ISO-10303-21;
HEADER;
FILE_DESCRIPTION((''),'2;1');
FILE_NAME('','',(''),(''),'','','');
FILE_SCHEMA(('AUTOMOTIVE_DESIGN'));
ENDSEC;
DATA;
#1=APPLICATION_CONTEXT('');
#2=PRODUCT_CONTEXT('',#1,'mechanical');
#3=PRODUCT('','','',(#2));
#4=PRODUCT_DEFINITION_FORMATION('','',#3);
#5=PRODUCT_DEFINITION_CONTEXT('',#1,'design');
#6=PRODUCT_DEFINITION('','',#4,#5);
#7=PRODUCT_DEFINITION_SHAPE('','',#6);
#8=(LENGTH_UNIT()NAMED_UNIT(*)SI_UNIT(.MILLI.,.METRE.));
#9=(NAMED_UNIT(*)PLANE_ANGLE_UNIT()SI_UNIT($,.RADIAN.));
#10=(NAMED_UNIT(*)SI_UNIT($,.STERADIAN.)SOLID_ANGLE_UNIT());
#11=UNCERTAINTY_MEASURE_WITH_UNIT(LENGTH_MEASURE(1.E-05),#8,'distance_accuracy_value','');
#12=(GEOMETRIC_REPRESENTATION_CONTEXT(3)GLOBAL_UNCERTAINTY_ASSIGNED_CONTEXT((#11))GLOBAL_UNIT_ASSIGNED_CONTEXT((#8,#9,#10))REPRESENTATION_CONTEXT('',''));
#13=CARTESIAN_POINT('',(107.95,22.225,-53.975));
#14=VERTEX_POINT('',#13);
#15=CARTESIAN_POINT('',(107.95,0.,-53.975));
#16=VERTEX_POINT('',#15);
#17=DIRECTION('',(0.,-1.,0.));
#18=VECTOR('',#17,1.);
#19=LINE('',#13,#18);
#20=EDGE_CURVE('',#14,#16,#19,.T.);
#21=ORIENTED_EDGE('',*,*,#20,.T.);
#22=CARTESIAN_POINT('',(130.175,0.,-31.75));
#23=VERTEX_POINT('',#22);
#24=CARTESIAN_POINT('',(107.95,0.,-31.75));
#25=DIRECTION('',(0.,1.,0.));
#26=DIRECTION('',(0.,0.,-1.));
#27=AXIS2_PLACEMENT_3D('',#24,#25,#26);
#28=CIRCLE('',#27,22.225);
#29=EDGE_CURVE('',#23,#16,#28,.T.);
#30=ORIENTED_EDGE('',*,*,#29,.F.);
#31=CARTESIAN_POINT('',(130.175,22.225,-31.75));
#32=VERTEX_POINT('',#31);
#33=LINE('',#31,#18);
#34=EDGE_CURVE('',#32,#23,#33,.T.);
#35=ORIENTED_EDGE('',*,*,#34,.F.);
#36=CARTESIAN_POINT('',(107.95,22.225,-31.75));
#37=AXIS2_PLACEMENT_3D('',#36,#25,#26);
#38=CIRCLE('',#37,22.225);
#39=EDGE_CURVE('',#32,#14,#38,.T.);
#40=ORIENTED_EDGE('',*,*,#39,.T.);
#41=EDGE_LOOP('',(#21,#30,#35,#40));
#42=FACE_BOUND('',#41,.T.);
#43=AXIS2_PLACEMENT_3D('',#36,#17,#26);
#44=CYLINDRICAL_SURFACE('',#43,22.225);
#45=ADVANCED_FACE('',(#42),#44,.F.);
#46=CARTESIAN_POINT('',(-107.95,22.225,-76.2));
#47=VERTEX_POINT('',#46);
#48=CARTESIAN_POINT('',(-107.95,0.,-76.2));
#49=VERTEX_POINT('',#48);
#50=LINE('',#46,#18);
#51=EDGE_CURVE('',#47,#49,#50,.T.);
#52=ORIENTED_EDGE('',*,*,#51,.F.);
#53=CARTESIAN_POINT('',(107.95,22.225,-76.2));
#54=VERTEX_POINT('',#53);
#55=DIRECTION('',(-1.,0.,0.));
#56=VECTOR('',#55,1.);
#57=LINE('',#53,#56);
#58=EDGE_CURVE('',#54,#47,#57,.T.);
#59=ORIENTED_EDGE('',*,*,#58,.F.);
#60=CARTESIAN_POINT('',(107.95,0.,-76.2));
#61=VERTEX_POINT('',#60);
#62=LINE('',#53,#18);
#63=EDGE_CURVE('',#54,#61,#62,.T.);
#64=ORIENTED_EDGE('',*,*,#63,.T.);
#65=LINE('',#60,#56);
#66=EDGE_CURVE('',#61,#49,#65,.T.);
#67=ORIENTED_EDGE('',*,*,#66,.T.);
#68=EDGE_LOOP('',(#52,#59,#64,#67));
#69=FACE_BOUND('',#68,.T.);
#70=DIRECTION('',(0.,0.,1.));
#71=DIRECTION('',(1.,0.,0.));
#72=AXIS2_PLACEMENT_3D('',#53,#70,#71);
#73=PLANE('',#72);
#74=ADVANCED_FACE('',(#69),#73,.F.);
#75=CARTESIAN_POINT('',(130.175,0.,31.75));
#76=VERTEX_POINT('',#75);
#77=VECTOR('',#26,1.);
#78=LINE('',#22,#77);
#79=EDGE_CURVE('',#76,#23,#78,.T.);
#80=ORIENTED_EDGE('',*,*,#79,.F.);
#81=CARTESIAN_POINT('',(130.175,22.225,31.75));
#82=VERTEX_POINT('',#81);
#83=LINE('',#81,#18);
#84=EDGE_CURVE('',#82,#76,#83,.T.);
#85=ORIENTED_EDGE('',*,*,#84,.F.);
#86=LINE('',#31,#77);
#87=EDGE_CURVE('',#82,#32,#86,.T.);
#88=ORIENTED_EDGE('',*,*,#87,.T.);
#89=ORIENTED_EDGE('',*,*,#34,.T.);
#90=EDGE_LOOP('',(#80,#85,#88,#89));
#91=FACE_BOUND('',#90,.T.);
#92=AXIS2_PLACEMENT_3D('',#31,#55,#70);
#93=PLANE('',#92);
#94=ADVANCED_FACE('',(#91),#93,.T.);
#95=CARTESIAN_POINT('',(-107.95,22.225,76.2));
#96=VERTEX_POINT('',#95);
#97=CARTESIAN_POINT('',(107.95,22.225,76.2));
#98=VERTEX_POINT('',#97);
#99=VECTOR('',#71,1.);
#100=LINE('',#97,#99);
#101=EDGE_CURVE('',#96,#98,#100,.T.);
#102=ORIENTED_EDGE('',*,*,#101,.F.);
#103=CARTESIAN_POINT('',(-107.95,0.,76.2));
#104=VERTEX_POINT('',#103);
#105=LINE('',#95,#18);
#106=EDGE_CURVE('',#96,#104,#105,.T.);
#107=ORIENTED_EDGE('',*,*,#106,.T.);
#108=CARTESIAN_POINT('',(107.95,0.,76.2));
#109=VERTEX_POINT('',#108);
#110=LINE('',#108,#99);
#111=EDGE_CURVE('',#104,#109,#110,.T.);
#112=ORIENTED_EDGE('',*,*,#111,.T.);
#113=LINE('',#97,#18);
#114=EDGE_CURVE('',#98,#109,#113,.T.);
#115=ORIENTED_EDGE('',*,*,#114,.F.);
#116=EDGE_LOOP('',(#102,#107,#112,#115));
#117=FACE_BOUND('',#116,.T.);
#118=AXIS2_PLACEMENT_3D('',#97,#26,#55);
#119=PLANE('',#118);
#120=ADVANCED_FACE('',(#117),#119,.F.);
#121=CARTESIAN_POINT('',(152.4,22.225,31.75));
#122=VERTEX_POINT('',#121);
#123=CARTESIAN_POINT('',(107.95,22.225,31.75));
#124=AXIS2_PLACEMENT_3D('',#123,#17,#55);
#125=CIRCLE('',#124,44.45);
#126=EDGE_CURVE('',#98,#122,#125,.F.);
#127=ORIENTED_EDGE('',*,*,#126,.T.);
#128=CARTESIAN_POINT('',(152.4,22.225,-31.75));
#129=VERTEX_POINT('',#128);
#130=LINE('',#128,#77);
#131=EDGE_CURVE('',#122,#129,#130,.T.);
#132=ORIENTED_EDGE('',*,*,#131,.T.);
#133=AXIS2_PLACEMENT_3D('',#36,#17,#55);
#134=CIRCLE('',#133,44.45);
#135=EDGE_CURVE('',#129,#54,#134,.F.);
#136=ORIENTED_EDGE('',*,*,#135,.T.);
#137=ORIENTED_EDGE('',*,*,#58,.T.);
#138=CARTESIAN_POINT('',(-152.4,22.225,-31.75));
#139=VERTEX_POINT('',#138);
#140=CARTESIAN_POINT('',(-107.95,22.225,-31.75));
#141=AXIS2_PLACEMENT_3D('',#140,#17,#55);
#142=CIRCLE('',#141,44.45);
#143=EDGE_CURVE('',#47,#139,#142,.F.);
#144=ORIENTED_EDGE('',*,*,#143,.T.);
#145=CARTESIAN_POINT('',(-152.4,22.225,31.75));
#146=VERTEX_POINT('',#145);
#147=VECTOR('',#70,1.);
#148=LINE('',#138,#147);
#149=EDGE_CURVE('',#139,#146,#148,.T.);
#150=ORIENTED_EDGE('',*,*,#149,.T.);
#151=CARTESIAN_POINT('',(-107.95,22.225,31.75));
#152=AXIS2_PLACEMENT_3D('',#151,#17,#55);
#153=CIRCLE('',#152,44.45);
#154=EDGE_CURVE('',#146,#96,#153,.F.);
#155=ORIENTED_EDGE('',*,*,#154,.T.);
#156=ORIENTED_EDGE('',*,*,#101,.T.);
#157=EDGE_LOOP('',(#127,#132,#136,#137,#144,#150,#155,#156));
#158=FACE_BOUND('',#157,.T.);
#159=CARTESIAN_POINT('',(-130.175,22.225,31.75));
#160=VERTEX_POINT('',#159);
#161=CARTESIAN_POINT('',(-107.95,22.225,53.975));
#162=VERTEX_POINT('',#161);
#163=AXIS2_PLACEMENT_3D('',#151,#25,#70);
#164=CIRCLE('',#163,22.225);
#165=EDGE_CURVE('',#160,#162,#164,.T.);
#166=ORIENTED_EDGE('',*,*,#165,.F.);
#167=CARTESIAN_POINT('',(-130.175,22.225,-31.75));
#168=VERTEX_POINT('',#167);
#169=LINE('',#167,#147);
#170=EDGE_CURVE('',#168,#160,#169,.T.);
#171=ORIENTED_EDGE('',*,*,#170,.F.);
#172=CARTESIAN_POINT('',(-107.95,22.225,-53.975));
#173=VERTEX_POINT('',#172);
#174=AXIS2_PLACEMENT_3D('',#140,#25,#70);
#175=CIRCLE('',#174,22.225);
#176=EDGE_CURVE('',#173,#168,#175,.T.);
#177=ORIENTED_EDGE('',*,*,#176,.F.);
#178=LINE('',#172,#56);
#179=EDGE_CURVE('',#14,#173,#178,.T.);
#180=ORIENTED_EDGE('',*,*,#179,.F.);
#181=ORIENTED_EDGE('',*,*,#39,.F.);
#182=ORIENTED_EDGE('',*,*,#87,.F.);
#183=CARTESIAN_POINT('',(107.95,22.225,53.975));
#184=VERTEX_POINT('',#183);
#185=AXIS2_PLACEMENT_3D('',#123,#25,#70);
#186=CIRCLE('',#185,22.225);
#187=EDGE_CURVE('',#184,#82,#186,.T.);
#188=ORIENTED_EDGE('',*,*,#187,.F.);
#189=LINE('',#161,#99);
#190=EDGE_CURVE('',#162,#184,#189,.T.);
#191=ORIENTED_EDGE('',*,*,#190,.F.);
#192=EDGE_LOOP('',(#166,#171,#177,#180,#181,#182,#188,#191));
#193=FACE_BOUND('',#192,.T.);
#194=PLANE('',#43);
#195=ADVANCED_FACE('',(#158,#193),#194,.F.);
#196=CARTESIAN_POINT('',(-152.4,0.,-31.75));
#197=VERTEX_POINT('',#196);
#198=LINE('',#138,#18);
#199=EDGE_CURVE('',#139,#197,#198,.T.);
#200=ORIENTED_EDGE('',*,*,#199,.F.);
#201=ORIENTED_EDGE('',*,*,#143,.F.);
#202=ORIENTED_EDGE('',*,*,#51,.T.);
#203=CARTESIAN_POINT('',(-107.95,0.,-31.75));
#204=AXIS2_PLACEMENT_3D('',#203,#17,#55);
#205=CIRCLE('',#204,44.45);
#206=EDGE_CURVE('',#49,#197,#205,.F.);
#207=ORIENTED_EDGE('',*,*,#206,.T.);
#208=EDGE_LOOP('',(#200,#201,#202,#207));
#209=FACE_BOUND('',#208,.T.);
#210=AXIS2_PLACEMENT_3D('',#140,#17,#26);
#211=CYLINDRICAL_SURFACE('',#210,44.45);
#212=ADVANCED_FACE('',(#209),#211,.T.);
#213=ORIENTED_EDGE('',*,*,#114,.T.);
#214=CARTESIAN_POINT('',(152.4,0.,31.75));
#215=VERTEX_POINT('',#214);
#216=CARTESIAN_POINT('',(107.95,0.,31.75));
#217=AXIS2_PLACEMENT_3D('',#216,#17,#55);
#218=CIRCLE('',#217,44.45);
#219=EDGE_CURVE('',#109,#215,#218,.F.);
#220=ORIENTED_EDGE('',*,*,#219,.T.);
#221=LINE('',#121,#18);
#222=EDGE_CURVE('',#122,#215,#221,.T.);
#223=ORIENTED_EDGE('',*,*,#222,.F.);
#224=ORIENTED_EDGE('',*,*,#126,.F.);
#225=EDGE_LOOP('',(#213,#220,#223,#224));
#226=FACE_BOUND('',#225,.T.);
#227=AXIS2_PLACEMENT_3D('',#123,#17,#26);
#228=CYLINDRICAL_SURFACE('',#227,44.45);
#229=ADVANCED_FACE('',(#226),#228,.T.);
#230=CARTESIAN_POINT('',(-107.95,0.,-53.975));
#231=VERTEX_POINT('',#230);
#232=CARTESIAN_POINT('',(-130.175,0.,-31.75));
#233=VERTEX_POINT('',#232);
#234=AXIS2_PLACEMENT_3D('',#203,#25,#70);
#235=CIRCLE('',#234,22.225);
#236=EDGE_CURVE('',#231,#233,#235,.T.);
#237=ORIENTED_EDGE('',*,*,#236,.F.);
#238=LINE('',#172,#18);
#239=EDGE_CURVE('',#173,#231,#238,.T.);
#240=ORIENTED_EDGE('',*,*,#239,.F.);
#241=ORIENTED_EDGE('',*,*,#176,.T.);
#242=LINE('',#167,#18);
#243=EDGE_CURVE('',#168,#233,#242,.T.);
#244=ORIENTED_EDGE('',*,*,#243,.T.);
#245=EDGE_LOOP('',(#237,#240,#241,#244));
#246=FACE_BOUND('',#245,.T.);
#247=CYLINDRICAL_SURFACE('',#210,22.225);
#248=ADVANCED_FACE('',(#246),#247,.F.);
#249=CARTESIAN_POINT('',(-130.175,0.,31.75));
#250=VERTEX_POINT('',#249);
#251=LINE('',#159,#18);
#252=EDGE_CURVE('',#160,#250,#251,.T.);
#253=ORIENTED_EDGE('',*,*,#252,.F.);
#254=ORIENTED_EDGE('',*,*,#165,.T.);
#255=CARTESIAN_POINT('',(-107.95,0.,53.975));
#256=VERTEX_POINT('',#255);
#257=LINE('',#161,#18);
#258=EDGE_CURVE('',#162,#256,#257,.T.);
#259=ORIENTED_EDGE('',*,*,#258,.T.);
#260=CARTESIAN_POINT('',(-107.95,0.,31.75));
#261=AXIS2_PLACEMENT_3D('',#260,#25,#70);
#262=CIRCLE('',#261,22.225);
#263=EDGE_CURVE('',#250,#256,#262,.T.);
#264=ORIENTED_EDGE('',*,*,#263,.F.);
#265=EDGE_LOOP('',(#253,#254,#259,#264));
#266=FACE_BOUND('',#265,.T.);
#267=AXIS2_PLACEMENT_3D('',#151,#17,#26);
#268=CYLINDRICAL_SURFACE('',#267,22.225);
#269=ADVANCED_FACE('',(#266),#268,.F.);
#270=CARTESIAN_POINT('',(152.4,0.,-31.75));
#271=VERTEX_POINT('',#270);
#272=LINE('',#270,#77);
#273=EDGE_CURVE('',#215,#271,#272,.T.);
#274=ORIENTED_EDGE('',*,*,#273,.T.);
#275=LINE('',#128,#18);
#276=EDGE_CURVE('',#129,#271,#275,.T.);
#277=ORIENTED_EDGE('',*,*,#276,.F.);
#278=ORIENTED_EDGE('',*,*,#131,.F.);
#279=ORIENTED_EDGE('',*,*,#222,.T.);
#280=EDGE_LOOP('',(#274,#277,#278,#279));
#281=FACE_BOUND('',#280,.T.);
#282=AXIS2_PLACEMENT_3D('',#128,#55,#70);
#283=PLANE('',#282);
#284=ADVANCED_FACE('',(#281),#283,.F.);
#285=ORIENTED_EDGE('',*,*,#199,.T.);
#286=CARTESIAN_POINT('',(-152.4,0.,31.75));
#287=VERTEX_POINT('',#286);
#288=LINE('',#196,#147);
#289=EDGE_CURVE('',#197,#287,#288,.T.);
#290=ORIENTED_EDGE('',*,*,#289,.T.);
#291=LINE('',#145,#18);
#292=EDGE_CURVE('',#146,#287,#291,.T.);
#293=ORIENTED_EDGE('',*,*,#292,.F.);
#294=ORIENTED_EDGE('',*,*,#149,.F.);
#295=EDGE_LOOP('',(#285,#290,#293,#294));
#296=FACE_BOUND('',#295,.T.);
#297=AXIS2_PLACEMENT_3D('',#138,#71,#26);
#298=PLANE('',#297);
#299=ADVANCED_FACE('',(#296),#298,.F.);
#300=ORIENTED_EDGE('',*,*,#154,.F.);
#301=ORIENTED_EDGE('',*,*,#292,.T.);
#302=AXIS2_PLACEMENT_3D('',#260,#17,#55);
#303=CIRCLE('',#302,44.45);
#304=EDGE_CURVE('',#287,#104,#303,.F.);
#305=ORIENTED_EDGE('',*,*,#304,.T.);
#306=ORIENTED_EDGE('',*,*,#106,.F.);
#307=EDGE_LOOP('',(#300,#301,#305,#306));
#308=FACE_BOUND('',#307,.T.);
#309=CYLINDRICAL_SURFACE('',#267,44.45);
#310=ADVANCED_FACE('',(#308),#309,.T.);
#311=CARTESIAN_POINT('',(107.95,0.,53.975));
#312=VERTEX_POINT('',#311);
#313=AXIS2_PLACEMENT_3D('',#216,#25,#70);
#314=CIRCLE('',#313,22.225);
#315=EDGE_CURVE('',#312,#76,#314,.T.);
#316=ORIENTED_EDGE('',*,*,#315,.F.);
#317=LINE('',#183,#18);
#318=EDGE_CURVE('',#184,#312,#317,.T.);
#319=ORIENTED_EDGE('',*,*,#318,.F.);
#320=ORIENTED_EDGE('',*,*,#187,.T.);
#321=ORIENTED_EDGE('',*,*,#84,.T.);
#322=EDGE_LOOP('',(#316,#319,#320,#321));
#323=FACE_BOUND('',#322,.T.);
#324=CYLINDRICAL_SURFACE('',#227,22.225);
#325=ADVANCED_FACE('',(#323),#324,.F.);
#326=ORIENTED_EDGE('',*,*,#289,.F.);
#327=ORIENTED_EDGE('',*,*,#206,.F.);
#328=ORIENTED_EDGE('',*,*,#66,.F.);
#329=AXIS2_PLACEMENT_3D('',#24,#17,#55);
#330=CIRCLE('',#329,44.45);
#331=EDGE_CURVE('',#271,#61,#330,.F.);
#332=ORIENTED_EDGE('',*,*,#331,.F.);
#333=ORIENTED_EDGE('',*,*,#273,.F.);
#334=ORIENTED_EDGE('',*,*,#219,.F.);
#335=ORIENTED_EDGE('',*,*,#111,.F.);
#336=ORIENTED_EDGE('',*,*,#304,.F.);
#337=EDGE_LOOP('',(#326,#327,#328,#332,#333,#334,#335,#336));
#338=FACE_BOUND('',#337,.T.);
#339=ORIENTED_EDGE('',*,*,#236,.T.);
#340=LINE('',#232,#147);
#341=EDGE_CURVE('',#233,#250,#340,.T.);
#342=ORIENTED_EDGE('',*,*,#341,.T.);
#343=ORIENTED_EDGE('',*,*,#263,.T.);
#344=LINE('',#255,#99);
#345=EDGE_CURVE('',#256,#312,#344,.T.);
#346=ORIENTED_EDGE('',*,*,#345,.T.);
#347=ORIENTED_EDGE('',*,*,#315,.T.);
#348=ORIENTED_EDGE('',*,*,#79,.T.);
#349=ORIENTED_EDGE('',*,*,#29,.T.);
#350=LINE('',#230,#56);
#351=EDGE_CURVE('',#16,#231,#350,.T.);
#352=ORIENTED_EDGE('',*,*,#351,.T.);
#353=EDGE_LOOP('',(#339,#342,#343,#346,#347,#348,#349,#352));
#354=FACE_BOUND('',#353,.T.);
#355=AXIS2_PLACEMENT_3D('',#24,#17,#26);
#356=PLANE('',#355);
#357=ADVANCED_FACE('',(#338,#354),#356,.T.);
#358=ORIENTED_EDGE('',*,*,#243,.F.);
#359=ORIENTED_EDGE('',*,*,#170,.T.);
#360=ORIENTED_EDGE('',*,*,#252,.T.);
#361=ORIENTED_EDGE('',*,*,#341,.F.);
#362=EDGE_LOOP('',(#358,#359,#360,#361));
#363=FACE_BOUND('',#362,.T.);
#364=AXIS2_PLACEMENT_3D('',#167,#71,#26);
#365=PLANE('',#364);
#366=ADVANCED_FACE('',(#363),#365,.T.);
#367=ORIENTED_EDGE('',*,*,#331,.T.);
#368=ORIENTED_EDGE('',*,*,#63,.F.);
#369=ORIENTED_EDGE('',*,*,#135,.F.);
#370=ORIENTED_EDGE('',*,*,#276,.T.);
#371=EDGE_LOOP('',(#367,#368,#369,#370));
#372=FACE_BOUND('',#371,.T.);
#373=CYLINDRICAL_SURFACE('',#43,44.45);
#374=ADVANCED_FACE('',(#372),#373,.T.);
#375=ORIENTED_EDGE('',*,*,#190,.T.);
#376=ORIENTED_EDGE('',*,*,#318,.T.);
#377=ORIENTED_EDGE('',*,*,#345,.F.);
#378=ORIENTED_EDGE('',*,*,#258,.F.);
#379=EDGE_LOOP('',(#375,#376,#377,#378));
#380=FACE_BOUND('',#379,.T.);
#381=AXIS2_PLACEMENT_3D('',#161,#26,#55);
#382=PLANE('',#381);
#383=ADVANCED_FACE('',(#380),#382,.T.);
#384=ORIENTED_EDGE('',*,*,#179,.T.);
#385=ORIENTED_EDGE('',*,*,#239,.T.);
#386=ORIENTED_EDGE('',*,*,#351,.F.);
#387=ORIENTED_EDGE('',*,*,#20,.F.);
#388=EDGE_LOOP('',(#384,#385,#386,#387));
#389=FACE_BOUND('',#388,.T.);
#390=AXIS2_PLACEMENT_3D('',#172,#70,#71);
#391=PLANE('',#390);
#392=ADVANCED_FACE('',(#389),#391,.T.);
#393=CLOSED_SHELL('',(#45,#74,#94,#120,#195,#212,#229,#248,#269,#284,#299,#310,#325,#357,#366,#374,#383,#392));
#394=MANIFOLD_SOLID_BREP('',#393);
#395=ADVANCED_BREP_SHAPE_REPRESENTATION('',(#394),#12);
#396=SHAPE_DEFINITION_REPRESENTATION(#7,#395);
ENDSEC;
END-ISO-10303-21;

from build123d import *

# Parameters (mm, degrees)
EXTRUDE_THIN1_DEPTH = 22.225


with BuildPart() as part:
    # Sketch1 → Extrude-Thin1 (new body)
    with BuildSketch(Plane(origin=(0, 0, 0), x_dir=(1, 0, 0), z_dir=(0, 1, 0))):
        with BuildLine():
            Line((-107.95, 76.2), (107.95, 76.2))
            ThreePointArc((107.95, 76.2), (139.380896424, 63.180896424), (152.4, 31.75))
            Line((152.4, 31.75), (152.4, -31.75))
            ThreePointArc((152.4, -31.75), (139.380896424, -63.180896424), (107.95, -76.2))
            Line((107.95, -76.2), (-107.95, -76.2))
            ThreePointArc((-107.95, -76.2), (-139.380896424, -63.180896424), (-152.4, -31.75))
            Line((-152.4, -31.75), (-152.4, 31.75))
            ThreePointArc((-152.4, 31.75), (-139.380896424, 63.180896424), (-107.95, 76.2))
        make_face()
        with BuildLine():
            Line((-107.95, 53.975), (107.95, 53.975))
            ThreePointArc((107.95, 53.975), (123.665448212, 47.465448212), (130.175, 31.75))
            Line((130.175, 31.75), (130.175, -31.75))
            ThreePointArc((130.175, -31.75), (123.665448212, -47.465448212), (107.95, -53.975))
            Line((107.95, -53.975), (-107.95, -53.975))
            ThreePointArc((-107.95, -53.975), (-123.665448212, -47.465448212), (-130.175, -31.75))
            Line((-130.175, -31.75), (-130.175, 31.75))
            ThreePointArc((-130.175, 31.75), (-123.665448212, 47.465448212), (-107.95, 53.975))
        make_face(mode=Mode.SUBTRACT)
    extrude(amount=EXTRUDE_THIN1_DEPTH)


solid = part.part
